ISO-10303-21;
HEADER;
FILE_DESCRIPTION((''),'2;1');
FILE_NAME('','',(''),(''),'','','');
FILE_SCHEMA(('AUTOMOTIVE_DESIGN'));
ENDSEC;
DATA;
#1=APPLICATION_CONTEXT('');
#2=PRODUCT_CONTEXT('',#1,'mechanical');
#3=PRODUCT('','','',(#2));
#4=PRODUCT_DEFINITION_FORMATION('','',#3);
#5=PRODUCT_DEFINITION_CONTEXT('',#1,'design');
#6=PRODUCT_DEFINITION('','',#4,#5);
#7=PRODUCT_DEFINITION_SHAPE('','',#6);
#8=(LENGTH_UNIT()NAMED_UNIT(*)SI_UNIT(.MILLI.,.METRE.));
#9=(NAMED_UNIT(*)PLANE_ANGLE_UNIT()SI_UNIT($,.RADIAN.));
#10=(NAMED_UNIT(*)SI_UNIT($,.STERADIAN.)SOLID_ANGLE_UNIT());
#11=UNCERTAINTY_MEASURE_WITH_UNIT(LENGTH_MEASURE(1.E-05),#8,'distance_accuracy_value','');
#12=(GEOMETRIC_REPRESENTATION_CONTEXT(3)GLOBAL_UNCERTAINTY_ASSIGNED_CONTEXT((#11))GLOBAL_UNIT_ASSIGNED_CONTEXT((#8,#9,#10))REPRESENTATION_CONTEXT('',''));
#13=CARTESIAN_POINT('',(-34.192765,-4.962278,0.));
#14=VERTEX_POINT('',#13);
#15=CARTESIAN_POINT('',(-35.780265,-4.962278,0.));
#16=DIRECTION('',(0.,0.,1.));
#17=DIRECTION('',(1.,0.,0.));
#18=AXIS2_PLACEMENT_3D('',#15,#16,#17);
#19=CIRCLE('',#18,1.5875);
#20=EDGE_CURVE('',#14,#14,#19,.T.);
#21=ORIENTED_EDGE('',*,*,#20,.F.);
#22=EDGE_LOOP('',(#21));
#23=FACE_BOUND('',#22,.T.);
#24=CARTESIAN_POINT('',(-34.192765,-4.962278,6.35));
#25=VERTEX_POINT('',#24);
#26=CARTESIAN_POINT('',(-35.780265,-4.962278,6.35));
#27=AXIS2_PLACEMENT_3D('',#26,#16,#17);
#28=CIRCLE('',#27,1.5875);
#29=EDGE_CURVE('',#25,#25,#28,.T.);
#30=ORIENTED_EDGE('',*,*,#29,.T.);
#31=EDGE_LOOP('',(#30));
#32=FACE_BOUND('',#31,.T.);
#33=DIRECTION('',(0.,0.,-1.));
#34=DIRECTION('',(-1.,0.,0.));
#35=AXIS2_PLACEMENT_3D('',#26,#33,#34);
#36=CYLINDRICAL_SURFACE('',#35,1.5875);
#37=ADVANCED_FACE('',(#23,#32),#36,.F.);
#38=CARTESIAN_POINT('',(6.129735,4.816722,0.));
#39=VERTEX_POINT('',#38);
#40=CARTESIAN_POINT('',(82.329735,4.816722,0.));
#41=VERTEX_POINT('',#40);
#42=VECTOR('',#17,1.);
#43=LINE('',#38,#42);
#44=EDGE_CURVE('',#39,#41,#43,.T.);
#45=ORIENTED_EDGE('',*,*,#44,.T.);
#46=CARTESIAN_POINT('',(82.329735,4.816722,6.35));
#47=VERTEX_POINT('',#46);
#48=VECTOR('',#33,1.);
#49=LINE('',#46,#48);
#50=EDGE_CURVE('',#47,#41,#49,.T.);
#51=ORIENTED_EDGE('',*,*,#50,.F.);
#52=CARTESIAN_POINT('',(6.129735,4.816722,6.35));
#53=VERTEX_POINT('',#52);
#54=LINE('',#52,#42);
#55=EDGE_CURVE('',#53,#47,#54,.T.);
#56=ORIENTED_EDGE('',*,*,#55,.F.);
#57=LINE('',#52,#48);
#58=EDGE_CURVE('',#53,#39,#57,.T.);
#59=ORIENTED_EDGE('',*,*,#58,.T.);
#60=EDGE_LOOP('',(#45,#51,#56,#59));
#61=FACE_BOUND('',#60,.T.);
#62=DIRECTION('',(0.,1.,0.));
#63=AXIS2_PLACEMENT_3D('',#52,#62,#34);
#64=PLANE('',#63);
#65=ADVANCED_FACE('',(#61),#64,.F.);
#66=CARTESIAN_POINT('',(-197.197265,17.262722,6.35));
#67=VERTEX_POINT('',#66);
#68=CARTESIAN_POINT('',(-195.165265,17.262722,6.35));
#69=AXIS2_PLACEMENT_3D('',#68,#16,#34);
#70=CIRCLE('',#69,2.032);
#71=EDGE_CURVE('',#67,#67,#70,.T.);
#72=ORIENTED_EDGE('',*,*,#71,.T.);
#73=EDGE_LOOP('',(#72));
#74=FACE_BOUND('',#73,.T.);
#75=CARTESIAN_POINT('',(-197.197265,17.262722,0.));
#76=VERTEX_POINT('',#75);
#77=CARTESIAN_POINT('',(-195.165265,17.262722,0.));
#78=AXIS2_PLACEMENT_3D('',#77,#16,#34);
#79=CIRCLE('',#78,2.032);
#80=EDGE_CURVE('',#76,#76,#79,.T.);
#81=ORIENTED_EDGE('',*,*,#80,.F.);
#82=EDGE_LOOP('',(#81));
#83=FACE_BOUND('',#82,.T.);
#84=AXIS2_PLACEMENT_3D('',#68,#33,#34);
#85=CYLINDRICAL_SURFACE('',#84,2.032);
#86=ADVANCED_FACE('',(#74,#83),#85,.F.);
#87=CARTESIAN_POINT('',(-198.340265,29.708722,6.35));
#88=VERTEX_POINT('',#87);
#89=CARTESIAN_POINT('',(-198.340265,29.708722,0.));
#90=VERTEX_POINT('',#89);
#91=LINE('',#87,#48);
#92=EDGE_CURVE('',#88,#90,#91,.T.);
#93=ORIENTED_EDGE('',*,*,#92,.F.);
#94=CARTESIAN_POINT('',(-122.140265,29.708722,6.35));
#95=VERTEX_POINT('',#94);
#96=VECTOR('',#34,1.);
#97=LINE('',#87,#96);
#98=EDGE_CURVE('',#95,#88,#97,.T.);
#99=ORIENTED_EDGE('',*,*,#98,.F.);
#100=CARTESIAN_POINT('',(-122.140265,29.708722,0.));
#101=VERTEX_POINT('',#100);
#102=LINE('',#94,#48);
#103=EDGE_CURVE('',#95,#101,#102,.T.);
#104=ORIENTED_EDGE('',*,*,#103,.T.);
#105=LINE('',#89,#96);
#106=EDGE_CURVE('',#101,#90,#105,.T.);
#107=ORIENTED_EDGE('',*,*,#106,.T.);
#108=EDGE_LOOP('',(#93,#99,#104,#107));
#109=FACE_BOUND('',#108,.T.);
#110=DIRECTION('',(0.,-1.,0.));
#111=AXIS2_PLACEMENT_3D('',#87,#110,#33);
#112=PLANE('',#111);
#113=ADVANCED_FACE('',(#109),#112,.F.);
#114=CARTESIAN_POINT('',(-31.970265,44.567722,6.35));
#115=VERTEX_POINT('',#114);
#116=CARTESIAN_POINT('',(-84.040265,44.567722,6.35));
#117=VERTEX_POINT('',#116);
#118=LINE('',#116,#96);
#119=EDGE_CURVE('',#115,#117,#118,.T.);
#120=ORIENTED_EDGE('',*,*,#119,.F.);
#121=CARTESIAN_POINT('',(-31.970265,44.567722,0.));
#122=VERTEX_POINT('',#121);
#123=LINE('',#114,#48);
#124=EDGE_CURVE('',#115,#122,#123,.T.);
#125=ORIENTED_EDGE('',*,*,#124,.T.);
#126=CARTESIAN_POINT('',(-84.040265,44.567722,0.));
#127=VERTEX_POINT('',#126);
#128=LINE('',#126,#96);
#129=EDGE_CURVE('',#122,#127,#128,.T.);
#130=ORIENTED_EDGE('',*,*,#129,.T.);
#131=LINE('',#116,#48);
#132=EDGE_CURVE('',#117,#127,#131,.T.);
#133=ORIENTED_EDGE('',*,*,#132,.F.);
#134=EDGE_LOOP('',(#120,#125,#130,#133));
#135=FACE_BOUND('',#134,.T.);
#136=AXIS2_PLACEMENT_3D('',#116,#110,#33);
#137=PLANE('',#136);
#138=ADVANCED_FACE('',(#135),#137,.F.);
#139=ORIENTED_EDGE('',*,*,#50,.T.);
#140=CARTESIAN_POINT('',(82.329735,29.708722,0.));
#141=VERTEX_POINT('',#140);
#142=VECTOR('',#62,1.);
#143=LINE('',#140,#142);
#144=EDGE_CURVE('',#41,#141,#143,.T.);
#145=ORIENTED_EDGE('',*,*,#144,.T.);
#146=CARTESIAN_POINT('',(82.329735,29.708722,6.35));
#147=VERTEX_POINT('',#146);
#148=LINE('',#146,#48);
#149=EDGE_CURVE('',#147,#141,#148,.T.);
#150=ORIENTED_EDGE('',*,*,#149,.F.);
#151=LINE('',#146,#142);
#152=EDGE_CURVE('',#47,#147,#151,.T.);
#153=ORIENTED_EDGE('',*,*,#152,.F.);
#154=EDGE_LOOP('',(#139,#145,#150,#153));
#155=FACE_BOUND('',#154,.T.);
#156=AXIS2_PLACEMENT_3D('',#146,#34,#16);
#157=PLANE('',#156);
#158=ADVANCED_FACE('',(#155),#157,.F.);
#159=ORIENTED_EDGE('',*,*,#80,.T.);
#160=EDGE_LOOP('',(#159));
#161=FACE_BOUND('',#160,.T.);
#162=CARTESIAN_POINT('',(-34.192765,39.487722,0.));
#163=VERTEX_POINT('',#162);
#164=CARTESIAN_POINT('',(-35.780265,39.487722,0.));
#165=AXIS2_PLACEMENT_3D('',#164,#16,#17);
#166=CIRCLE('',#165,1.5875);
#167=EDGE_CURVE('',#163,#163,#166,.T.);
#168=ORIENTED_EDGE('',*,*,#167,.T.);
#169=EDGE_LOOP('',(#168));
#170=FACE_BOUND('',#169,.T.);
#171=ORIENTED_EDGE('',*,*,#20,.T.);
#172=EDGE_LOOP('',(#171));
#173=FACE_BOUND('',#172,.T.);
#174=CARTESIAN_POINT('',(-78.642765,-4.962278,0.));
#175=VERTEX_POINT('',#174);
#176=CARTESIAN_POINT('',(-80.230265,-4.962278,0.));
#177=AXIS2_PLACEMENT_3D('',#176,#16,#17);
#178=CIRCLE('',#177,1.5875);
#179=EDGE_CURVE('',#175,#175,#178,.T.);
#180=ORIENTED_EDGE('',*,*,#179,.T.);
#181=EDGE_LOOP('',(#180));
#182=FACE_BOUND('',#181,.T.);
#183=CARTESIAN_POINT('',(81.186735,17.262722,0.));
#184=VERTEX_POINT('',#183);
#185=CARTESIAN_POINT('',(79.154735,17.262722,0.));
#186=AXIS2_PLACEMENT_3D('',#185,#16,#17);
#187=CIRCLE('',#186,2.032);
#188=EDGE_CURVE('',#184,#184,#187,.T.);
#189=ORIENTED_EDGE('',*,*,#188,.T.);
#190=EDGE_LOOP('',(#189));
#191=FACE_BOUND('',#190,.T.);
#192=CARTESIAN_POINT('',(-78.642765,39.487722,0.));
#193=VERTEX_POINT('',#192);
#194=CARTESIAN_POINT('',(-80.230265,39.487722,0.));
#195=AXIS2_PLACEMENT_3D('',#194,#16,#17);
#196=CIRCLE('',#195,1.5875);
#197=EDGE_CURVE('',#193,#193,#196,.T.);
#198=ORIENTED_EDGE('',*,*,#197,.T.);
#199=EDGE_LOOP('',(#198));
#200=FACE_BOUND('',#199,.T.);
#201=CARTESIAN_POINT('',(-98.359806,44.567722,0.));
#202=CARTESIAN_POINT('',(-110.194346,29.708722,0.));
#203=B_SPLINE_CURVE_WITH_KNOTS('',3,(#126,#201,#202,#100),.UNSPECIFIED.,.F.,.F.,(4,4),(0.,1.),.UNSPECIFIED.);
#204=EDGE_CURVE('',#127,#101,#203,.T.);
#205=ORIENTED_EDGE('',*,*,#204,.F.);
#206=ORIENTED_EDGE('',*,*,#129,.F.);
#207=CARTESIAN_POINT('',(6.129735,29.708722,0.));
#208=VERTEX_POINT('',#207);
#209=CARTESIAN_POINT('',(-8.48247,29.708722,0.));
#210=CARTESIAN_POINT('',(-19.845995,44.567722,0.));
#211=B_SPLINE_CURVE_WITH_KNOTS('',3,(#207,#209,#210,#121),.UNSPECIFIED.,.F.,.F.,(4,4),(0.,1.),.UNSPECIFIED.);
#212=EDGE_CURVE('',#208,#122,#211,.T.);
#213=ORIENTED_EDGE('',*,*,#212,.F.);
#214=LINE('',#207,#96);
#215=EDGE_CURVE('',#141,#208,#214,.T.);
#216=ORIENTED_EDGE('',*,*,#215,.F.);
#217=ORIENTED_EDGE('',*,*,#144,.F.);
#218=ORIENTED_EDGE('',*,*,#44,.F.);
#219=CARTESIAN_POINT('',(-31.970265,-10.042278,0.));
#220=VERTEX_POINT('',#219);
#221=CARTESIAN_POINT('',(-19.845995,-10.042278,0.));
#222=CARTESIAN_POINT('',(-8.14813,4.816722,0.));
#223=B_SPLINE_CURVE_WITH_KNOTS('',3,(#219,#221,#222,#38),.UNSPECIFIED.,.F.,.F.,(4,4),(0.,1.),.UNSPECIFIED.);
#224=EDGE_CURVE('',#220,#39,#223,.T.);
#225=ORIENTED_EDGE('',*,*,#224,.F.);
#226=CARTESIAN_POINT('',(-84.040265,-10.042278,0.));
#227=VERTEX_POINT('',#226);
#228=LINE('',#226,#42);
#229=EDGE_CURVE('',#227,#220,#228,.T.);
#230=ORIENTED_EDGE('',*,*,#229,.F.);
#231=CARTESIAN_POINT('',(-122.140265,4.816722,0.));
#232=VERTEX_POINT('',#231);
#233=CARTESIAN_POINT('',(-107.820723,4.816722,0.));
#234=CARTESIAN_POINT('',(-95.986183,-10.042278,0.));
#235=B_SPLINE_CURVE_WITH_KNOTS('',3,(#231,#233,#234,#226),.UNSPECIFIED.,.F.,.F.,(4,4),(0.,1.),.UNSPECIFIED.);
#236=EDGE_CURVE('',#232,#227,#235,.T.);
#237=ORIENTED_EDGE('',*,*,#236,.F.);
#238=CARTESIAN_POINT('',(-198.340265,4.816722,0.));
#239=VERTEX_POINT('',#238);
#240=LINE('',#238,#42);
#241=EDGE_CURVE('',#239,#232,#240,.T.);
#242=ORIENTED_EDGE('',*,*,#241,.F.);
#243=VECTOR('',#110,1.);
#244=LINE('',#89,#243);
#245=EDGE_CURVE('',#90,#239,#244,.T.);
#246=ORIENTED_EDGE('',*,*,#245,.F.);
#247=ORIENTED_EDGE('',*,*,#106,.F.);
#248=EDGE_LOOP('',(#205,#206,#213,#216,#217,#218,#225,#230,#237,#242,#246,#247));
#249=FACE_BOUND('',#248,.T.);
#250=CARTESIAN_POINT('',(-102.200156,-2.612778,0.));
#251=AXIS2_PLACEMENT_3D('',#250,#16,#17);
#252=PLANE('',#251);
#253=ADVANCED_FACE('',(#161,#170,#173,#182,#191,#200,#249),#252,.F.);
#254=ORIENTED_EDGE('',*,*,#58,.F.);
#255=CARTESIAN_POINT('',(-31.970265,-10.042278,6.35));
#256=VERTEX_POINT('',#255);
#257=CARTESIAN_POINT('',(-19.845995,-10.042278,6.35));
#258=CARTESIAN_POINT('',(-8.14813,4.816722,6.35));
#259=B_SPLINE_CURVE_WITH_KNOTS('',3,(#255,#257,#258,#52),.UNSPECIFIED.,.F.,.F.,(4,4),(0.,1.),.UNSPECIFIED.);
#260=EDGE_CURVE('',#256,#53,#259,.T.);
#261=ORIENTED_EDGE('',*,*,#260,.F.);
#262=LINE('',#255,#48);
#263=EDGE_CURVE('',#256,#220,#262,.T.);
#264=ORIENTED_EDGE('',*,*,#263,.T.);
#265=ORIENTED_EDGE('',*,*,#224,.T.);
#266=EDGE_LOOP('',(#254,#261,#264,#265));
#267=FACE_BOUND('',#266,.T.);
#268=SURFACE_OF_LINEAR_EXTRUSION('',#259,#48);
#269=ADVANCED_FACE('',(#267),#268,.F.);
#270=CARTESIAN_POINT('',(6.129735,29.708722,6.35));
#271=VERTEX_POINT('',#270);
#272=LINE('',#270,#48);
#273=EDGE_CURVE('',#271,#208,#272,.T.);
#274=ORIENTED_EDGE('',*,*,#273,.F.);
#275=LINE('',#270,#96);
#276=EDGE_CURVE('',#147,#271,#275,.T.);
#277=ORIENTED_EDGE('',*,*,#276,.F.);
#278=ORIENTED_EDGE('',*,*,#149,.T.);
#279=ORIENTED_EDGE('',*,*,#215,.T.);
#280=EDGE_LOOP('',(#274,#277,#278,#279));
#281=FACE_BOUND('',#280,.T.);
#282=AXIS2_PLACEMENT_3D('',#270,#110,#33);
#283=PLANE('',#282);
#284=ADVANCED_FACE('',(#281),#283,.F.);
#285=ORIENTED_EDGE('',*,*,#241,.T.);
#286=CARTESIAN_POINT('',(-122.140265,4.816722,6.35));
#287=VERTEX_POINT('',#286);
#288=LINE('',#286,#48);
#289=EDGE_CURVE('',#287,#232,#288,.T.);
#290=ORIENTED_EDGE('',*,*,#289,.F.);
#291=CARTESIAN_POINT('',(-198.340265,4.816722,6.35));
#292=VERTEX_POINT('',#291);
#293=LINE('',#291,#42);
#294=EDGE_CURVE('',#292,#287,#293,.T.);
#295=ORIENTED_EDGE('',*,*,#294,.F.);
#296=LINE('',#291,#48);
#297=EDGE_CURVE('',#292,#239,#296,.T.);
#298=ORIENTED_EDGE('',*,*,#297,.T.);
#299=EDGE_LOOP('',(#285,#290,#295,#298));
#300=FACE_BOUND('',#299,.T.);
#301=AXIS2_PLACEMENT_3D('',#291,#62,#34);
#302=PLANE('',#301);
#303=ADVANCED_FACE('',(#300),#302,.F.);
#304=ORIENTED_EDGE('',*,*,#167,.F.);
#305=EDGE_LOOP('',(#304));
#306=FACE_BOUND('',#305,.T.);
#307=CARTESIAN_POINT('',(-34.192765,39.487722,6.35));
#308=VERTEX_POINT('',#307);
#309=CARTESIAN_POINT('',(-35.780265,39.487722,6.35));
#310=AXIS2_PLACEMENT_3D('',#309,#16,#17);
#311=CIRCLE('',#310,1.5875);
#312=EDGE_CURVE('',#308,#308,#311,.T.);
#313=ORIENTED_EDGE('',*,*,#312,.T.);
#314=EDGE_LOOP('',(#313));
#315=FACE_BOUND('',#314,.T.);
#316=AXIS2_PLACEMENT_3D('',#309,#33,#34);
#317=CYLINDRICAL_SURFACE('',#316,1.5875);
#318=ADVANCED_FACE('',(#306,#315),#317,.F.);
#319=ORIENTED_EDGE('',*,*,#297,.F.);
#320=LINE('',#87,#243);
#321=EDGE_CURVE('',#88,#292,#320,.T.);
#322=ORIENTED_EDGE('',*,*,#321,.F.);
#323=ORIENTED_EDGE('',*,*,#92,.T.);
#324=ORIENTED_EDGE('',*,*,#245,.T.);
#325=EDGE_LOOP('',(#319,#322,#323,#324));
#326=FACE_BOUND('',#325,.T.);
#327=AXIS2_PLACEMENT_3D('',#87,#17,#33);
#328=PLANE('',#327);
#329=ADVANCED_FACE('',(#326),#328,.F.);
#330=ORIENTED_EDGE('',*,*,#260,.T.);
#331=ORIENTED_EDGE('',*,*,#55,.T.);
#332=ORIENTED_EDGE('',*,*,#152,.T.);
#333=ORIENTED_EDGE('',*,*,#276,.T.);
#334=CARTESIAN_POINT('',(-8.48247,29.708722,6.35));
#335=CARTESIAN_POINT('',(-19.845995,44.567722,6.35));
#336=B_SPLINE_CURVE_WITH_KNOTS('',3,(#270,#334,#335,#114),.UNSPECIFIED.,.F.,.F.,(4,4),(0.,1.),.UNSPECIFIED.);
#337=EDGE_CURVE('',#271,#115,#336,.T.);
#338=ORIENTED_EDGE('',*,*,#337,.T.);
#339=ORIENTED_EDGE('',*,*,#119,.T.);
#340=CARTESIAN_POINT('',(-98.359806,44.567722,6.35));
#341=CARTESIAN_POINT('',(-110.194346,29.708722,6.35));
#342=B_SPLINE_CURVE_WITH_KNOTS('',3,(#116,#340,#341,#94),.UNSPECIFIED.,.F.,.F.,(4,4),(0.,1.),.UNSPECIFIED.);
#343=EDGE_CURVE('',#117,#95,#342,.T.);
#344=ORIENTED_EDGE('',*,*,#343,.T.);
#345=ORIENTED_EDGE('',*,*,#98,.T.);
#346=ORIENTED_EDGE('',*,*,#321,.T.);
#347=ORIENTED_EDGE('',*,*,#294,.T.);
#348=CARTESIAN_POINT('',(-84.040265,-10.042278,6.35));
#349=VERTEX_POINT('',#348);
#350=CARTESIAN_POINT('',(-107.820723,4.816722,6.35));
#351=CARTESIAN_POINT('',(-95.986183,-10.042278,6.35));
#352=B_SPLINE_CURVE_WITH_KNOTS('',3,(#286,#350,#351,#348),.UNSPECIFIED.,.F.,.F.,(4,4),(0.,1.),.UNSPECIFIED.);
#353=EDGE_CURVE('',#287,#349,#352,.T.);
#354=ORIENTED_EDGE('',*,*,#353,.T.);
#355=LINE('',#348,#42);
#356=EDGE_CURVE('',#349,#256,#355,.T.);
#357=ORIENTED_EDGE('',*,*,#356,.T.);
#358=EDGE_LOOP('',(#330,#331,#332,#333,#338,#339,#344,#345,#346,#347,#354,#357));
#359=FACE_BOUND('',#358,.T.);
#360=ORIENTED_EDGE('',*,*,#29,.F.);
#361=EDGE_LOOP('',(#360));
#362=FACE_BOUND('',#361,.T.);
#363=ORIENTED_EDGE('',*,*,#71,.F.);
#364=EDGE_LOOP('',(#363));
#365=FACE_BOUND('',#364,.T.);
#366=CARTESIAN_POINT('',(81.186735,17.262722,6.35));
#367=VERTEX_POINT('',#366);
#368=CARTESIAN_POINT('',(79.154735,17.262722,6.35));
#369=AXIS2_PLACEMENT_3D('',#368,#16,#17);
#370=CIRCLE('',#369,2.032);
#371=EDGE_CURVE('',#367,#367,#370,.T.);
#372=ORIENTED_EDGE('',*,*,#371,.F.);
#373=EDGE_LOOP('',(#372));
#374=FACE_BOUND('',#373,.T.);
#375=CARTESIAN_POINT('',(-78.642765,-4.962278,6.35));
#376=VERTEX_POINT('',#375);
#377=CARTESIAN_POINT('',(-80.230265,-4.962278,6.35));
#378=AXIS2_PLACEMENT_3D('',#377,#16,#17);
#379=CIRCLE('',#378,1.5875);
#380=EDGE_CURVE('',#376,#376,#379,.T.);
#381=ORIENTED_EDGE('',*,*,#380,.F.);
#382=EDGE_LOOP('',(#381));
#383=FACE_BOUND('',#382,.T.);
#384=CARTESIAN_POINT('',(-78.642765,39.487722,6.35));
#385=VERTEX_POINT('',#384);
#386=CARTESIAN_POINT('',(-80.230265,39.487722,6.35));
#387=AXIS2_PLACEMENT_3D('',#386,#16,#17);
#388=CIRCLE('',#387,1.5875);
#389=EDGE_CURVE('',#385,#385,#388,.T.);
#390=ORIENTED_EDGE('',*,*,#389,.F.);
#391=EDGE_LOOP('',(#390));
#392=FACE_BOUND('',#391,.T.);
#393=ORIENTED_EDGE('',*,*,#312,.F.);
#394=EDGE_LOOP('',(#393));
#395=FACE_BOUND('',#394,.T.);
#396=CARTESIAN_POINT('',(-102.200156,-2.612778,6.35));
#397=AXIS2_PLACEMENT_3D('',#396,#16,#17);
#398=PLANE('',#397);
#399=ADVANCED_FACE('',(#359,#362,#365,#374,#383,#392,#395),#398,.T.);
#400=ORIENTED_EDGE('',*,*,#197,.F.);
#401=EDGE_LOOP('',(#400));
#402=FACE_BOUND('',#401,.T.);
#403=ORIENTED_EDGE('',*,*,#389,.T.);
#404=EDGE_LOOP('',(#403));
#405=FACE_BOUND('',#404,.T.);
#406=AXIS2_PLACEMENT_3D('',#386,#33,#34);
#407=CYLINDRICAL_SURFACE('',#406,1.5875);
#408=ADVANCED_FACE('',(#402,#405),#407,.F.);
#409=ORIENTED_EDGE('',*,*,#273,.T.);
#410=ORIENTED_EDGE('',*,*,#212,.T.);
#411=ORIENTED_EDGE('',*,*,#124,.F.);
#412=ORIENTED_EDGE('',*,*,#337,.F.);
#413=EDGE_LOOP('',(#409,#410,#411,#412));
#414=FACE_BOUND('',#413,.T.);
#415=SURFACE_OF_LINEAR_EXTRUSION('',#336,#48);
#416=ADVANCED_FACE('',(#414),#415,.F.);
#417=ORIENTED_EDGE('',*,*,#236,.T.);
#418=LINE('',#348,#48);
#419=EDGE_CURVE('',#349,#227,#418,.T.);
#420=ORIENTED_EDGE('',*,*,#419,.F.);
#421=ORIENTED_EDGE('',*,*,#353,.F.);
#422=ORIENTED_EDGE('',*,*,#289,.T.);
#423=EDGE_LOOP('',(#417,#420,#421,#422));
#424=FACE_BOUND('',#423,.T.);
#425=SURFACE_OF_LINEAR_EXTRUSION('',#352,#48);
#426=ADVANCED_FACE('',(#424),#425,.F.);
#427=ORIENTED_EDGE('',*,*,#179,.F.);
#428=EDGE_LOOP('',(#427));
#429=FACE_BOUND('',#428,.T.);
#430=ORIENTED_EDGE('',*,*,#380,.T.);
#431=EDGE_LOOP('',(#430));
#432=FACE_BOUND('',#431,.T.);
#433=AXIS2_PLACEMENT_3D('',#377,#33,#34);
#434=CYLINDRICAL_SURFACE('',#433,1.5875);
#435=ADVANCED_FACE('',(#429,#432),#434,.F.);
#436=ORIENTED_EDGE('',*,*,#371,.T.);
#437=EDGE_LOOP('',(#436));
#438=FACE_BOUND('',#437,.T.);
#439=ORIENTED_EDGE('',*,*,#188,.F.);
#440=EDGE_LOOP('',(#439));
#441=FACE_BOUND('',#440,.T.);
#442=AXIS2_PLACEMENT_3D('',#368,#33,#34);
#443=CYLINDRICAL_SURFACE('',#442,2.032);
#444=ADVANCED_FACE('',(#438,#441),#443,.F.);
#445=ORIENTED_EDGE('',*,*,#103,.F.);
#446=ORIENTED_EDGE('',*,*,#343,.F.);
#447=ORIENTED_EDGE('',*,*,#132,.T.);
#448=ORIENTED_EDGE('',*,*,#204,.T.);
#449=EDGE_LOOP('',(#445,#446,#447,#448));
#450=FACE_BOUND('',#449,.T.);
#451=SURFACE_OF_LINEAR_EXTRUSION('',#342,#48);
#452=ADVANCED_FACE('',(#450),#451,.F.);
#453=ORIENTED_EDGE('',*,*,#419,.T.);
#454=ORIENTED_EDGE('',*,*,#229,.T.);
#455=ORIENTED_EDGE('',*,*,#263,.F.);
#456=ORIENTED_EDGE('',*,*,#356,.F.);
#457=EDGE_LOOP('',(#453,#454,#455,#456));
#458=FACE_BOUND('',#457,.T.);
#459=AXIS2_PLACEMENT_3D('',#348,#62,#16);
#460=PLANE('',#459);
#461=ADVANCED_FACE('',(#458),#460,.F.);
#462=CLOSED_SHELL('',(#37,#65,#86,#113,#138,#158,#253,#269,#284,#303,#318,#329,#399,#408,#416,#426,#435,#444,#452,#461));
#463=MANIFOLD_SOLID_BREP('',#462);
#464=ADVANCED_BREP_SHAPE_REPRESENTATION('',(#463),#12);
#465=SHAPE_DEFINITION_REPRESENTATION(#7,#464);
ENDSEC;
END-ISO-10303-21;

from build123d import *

# Parameters (mm, degrees)
SKETCH1_R      = 1.5875
SKETCH1_R_2    = 2.032
EXTRUDE1_DEPTH = 6.35


with BuildPart() as part:
    # Sketch1 → Extrude1 (new body)
    with BuildSketch(Plane.XY):
        with BuildLine():
            Line((-198.340264606, 29.708721685), (-122.140264606, 29.708721685))
            add(Edge.make_bspline(
                [(-84.040264606, 44.567721685), (-98.359806002, 44.567721685), (-110.19434592, 29.708721685), (-122.140264606, 29.708721685)],
                knots=[0, 0, 0, 0, 1, 1, 1, 1], degree=3))
            Line((-84.040264606, 44.567721685), (-31.970264606, 44.567721685))
            add(Edge.make_bspline(
                [(-31.970264606, 44.567721685), (-19.845994983, 44.567721685), (-8.482470496, 29.708721685), (6.129735394, 29.708721685)],
                knots=[0, 0, 0, 0, 1, 1, 1, 1], degree=3))
            Line((6.129735394, 29.708721685), (82.329735394, 29.708721685))
            Line((82.329735394, 29.708721685), (82.329735394, 4.816721685))
            Line((82.329735394, 4.816721685), (6.129735394, 4.816721685))
            add(Edge.make_bspline(
                [(-31.970264606, -10.042278315), (-19.845994974, -10.042278315), (-8.148130117, 4.816721685), (6.129735394, 4.816721685)],
                knots=[0, 0, 0, 0, 1, 1, 1, 1], degree=3))
            Line((-31.970264606, -10.042278315), (-84.040264606, -10.042278315))
            add(Edge.make_bspline(
                [(-84.040264606, -10.042278315), (-95.986183291, -10.042278315), (-107.820723209, 4.816721685), (-122.140264606, 4.816721685)],
                knots=[0, 0, 0, 0, 1, 1, 1, 1], degree=3))
            Line((-122.140264606, 4.816721685), (-198.340264606, 4.816721685))
            Line((-198.340264606, 4.816721685), (-198.340264606, 29.708721685))
        make_face()
        with Locations((-80.230264606, 39.487721685)):
            Circle(SKETCH1_R, mode=Mode.SUBTRACT)
        with Locations((-35.780264606, 39.487721685)):
            Circle(SKETCH1_R, mode=Mode.SUBTRACT)
        with Locations((-80.230264606, -4.962278315)):
            Circle(SKETCH1_R, mode=Mode.SUBTRACT)
        with Locations((-35.780264606, -4.962278315)):
            Circle(SKETCH1_R, mode=Mode.SUBTRACT)
        with Locations((79.154735394, 17.262721685)):
            Circle(SKETCH1_R_2, mode=Mode.SUBTRACT)
        with Locations((-195.165264606, 17.262721685)):
            Circle(SKETCH1_R_2, mode=Mode.SUBTRACT)
    extrude(amount=EXTRUDE1_DEPTH)


solid = part.part
